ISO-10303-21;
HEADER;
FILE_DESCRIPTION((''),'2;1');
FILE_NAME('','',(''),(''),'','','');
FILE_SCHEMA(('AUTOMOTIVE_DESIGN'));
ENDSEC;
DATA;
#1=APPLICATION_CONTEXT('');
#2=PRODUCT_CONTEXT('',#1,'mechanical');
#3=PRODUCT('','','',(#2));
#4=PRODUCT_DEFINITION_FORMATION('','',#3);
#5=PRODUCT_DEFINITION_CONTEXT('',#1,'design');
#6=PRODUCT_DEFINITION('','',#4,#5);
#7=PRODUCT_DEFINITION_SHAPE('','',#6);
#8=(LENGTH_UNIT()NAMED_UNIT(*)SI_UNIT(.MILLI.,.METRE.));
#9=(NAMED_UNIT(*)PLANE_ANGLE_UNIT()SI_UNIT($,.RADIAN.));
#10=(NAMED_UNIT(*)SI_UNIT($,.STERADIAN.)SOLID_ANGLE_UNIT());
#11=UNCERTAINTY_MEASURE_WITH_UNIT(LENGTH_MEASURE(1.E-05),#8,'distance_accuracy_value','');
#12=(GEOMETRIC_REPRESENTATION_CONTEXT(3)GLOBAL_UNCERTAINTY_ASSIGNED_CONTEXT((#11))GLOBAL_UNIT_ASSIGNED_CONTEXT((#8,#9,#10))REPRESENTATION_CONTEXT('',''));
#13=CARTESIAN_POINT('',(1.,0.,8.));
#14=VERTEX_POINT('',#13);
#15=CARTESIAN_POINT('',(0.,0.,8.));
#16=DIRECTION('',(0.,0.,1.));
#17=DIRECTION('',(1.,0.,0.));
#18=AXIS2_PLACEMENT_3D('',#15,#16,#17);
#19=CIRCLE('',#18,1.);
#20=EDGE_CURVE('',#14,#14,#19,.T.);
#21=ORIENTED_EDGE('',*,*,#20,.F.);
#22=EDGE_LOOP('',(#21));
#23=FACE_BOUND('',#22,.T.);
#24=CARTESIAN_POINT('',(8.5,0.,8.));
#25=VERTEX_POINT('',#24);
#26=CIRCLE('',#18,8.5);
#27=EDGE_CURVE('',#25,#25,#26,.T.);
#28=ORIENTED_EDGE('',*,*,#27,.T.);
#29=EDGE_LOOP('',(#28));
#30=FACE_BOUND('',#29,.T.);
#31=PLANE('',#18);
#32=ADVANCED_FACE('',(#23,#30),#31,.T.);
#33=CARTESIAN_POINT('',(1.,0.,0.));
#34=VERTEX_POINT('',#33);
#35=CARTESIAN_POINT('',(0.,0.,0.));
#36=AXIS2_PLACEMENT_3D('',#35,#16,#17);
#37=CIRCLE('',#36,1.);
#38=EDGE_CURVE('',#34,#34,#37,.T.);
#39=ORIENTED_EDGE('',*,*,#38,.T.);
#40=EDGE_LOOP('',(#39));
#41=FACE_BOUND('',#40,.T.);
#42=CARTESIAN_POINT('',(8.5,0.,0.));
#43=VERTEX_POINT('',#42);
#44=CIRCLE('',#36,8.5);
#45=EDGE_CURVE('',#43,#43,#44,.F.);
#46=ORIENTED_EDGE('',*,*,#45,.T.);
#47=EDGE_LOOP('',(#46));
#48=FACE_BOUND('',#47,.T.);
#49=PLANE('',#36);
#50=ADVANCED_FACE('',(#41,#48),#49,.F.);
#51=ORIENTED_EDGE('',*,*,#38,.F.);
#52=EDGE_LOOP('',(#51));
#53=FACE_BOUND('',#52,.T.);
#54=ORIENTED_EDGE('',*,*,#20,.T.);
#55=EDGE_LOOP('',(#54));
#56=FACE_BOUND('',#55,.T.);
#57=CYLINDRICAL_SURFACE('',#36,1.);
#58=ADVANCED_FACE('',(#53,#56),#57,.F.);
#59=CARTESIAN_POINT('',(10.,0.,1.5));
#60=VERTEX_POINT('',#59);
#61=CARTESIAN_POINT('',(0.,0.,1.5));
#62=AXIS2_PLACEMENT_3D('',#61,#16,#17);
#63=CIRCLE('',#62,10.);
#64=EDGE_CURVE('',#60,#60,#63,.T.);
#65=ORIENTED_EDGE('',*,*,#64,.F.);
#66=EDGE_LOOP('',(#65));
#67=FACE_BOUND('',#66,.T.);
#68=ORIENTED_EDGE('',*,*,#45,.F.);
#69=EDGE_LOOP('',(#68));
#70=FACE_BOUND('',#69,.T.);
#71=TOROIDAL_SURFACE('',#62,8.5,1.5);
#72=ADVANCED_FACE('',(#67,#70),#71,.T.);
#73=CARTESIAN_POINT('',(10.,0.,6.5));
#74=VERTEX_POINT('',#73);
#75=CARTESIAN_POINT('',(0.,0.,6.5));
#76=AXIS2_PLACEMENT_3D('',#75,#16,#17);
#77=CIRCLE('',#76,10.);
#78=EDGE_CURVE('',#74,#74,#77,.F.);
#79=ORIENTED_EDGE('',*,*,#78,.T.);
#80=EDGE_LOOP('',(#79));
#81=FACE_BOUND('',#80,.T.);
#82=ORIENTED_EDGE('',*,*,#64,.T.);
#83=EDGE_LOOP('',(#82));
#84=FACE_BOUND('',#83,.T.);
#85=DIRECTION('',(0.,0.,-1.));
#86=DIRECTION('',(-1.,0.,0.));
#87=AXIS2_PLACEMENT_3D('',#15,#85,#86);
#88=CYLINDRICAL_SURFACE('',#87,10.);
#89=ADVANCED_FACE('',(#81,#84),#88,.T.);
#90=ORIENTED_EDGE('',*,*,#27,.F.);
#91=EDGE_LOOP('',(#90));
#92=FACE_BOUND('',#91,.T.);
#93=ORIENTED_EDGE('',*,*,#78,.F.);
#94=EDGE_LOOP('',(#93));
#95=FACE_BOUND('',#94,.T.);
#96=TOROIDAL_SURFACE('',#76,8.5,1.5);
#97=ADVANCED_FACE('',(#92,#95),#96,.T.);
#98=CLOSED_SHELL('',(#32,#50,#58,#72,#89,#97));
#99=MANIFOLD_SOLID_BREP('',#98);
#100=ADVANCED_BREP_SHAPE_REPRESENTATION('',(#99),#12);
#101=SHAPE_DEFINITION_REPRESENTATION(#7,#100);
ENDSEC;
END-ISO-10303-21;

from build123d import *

# Parameters (mm, degrees)
CROQUIS1_R              = 10
SALIENTE_EXTRUIR1_DEPTH = 8
REDONDEO1_R             = 1.5
CROQUIS3_R              = 1
CORTAR_EXTRUIR1_DEPTH   = 9


with BuildPart() as part:
    # Croquis1 → Saliente-Extruir1 (new body)
    with BuildSketch(Plane.XY):
        Circle(CROQUIS1_R)
    extrude(amount=SALIENTE_EXTRUIR1_DEPTH)

    # Redondeo1
    redondeo1_edges = [part.edges().sort_by_distance(p)[0] for p in [
        (-10, 0, 0),
        (-10, 0, 8),
    ]]
    fillet(redondeo1_edges, radius=REDONDEO1_R)

    # Croquis3 → Cortar-Extruir1 (cut, through all)
    with BuildSketch(Plane.XY.offset(8)):
        Circle(CROQUIS3_R)
    extrude(amount=-CORTAR_EXTRUIR1_DEPTH, mode=Mode.SUBTRACT)


solid = part.part
